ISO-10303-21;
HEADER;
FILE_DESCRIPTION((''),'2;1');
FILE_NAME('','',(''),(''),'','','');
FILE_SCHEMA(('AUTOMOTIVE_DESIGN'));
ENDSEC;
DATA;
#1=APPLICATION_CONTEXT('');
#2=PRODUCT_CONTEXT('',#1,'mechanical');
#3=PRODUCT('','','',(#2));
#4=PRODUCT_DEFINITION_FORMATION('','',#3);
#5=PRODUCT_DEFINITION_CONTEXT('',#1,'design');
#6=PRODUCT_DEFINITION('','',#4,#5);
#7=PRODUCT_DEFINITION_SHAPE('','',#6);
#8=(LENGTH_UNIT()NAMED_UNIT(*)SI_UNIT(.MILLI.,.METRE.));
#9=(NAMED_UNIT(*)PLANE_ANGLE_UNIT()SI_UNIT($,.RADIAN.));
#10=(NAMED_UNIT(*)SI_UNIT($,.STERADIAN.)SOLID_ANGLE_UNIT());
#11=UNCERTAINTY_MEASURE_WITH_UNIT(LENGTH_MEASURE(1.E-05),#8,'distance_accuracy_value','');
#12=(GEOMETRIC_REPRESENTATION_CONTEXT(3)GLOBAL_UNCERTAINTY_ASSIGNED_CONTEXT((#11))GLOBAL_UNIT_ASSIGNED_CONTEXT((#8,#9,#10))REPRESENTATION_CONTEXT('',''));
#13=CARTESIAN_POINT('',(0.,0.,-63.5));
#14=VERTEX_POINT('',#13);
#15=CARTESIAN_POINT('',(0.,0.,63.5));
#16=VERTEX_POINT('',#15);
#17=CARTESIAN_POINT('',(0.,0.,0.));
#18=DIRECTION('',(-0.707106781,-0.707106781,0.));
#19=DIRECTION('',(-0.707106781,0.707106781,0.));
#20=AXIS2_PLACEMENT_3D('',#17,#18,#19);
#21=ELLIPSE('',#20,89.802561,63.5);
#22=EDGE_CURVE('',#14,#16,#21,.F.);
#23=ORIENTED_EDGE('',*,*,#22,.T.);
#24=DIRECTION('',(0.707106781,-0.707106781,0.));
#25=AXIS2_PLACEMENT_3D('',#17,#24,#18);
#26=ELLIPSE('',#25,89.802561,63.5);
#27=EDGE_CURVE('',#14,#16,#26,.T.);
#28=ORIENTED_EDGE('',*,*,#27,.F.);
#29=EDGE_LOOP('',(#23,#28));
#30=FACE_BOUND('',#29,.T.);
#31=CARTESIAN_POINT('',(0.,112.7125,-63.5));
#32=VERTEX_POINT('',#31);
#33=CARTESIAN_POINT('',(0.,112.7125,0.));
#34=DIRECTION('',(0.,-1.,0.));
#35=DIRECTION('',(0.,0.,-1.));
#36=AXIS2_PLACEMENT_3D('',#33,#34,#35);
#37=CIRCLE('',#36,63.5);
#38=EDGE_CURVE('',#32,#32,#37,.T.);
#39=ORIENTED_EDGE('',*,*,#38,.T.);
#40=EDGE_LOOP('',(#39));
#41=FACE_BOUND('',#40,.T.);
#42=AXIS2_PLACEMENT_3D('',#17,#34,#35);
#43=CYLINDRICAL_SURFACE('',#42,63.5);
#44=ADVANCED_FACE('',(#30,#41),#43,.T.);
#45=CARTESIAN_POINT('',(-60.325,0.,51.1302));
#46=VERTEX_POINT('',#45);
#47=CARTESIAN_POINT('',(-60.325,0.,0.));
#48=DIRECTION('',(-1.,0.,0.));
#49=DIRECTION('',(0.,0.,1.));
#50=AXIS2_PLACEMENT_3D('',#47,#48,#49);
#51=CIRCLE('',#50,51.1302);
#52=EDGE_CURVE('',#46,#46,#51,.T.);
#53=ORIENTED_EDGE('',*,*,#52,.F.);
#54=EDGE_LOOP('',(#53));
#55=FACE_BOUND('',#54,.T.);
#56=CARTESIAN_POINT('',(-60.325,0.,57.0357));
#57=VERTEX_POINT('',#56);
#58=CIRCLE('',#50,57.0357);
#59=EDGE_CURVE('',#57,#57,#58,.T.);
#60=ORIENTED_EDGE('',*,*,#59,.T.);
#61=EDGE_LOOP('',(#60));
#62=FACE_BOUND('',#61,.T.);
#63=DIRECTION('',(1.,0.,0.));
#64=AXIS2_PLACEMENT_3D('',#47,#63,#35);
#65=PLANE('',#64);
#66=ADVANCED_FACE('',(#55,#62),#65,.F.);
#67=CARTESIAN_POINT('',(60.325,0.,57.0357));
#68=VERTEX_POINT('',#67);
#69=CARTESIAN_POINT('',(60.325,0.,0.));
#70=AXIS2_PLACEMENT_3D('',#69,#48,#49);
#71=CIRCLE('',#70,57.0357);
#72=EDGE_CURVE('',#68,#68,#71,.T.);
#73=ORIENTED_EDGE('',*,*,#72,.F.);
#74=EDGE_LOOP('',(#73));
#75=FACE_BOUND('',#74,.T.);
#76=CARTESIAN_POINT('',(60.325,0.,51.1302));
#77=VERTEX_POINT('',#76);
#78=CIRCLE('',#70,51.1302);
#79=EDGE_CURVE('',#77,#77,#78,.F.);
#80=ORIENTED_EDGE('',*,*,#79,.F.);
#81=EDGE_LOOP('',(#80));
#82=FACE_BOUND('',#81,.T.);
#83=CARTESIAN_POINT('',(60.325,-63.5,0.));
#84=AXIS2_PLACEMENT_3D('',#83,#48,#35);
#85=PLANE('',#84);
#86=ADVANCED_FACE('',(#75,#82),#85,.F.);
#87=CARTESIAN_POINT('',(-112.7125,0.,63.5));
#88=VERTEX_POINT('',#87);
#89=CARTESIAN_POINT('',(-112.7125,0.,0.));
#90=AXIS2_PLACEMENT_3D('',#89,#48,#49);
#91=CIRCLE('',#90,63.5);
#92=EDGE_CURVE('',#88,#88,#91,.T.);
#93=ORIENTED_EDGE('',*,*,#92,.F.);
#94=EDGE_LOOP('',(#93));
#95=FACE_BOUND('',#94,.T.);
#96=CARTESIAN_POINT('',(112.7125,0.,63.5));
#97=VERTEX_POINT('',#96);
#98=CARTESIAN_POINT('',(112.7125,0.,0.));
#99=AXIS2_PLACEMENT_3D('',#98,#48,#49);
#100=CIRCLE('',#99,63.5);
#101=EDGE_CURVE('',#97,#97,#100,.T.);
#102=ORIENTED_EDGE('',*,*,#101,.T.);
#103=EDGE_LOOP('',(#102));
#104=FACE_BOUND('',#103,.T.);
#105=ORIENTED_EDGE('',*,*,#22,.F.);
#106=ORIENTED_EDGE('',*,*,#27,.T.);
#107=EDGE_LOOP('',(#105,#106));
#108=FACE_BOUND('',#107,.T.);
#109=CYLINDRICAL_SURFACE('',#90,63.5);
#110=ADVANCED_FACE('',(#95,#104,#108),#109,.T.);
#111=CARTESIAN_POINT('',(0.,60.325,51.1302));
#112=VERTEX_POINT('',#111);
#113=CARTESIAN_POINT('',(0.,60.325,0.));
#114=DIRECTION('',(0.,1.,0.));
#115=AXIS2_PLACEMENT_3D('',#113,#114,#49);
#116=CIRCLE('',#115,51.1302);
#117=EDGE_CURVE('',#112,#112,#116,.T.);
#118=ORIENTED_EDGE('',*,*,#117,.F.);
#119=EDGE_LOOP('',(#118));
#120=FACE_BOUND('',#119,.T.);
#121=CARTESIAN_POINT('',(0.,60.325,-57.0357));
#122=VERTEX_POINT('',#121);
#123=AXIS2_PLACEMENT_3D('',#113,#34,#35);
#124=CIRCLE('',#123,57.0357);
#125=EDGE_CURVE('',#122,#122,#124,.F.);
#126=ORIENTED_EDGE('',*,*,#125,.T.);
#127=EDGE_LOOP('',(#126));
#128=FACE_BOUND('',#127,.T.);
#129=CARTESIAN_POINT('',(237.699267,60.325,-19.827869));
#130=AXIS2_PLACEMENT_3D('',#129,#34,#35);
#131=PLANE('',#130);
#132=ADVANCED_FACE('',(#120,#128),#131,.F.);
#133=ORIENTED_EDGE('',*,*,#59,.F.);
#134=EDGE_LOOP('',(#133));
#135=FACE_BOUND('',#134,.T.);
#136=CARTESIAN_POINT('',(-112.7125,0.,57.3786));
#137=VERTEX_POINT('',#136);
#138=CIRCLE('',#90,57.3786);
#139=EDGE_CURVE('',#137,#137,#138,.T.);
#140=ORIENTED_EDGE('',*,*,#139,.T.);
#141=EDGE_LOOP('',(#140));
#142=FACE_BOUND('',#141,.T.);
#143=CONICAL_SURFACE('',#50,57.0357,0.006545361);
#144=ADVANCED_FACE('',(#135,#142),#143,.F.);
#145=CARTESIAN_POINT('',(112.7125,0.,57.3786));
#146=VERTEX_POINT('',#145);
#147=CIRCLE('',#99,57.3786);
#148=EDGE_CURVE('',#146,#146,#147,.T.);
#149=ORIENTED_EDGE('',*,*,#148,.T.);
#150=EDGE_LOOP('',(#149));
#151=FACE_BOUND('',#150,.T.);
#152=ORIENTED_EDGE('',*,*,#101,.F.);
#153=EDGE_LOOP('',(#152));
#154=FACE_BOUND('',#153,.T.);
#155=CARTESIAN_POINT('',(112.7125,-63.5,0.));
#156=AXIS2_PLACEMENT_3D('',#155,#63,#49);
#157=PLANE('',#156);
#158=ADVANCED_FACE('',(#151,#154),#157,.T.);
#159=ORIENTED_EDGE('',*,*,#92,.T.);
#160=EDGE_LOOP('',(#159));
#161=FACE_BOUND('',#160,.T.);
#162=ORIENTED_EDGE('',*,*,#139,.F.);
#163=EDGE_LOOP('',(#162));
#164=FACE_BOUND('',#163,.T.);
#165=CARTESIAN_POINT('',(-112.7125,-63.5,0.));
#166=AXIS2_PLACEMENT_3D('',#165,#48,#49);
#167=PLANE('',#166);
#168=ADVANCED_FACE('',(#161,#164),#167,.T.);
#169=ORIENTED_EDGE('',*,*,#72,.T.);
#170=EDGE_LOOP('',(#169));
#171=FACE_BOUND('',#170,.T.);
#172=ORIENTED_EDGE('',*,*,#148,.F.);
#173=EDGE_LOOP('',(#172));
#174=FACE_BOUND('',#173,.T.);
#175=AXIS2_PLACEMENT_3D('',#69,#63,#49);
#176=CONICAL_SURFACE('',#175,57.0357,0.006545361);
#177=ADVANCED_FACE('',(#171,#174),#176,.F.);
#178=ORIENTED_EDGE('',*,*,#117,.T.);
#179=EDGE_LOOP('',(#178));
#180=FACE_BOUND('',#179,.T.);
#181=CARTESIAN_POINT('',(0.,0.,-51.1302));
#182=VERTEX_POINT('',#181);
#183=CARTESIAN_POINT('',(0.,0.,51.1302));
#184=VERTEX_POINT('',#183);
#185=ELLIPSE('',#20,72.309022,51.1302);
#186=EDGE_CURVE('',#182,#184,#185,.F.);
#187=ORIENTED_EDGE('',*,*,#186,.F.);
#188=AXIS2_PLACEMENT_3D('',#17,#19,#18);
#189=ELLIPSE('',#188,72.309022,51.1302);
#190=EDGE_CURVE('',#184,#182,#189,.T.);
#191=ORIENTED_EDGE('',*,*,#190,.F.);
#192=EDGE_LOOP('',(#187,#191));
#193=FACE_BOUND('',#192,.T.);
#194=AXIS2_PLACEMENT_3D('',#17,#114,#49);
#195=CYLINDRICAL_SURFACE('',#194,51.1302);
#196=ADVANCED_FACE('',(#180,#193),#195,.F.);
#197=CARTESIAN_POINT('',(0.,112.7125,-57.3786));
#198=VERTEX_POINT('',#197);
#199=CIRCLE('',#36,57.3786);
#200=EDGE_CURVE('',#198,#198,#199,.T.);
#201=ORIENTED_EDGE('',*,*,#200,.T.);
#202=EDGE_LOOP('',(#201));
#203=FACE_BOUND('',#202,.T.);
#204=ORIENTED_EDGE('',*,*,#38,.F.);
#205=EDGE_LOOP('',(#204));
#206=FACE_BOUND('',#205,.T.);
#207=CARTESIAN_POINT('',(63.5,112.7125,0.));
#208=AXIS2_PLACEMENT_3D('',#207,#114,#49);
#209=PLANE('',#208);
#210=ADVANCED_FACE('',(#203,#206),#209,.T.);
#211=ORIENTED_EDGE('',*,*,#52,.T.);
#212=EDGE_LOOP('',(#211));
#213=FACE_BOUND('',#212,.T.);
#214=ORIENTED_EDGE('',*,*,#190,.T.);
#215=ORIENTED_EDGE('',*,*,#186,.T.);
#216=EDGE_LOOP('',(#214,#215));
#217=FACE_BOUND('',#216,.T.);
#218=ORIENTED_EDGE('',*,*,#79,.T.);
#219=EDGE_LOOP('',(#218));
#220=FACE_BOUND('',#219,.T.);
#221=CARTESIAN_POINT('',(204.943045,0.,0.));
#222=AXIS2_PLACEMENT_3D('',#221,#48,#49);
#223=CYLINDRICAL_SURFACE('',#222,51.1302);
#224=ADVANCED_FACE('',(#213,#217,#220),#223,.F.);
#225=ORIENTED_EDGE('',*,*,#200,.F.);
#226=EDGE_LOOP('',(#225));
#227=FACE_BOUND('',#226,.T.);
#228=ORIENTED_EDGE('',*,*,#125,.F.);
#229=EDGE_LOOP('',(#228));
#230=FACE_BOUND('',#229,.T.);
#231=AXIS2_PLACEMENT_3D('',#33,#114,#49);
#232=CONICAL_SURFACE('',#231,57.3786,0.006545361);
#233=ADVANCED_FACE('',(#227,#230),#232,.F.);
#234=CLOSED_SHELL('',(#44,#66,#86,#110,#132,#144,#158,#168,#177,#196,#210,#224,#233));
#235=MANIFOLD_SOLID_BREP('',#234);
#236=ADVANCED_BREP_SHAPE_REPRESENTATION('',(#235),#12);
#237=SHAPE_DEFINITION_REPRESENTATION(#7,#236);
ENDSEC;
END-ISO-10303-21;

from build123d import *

# Parameters (mm, degrees)
BOSS_EXTRUDE1_DEPTH = 120.65
BOSS_EXTRUDE2_REACH = 125.825
SKETCH5_R           = 51.1302
CUT_EXTRUDE1_DEPTH  = 120.65
CUT_EXTRUDE2_START  = -60.325
SKETCH6_R           = 51.1302
CUT_EXTRUDE2_DEPTH  = 60.325


with BuildPart() as part:
    # Sketch1 → Revolve1 (revolve)
    with BuildSketch(Plane.XY):
        Polygon((-112.7125, -63.5), (-60.325, -63.5), (-60.325, -57.0357), (-112.7125, -57.3786), align=None)
    revolve(axis=Axis((-112.7125, 0, 0), (1, 0, 0)))


with BuildPart() as body_2:
    # Mirror1: mirrored copy
    add(part.part.mirror(Plane(origin=(0, 0, 0), x_dir=(0, 0, 1), z_dir=(1, 0, 0))))


with BuildPart() as body_3:
    # Sketch2 → Revolve2 (revolve)
    with BuildSketch(Plane.XY):
        Polygon((57.3786, 112.7125), (57.0357, 60.325), (63.5, 60.325), (63.5, 112.7125), align=None)
    revolve(axis=Axis((0, 0, 0), (0, 1, 0)))


with BuildPart() as part_1:
    add(part.part)

    add(body_2.part)  # Boss-Extrude1 merges body 2

    add(body_3.part)  # Boss-Extrude1 merges body 3
    # Sketch3 → Boss-Extrude1 (add)
    with BuildSketch(Plane(origin=(-60.325, 0, 0), x_dir=(0, 0, -1), z_dir=(1, 0, 0))):
        with BuildLine():
            Line((19.827868645, 60.325), (-19.827868645, 60.325))
            ThreePointArc((-19.827868645, 60.325), (0, -63.5), (19.827868645, 60.325))
        make_face()
    extrude(amount=BOSS_EXTRUDE1_DEPTH)

    # Sketch4 → Boss-Extrude2 (add, up to next)
    with BuildSketch(Plane.XZ.offset(-60.325), mode=Mode.PRIVATE) as boss_extrude2_sk1:
        with BuildLine():
            ThreePointArc((-60.325, -19.827868645), (0, -63.5), (60.325, -19.827868645))
            Line((60.325, -19.827868645), (-60.325, -19.827868645))
        make_face()
    boss_extrude2_tool1 = extrude(boss_extrude2_sk1.sketch, amount=BOSS_EXTRUDE2_REACH, mode=Mode.PRIVATE) - part_1.part
    add(boss_extrude2_tool1.solids().sort_by_distance((0, 60.325, -37.942294))[0])
    # Sketch4 → Boss-Extrude2 (add, up to next)
    with BuildSketch(Plane.XZ.offset(-60.325), mode=Mode.PRIVATE) as boss_extrude2_sk2:
        with BuildLine():
            ThreePointArc((60.325, 19.827868645), (0, 63.5), (-60.325, 19.827868645))
            Line((-60.325, 19.827868645), (60.325, 19.827868645))
        make_face()
    boss_extrude2_tool2 = extrude(boss_extrude2_sk2.sketch, amount=BOSS_EXTRUDE2_REACH, mode=Mode.PRIVATE) - part_1.part
    add(boss_extrude2_tool2.solids().sort_by_distance((0, 60.325, 37.942294))[0])

    # Sketch5 → Cut-Extrude1 (cut)
    with BuildSketch(Plane.ZY.offset(60.325)):
        Circle(SKETCH5_R)
    extrude(amount=-CUT_EXTRUDE1_DEPTH, mode=Mode.SUBTRACT)

    # Sketch6 → Cut-Extrude2 (cut)
    with BuildSketch(Plane(origin=(0, 60.325, 0), x_dir=(1, 0, 0), z_dir=(0, 1, 0)).offset(CUT_EXTRUDE2_START)):
        Circle(SKETCH6_R)
    extrude(amount=CUT_EXTRUDE2_DEPTH, mode=Mode.SUBTRACT)


solid = part_1.part
